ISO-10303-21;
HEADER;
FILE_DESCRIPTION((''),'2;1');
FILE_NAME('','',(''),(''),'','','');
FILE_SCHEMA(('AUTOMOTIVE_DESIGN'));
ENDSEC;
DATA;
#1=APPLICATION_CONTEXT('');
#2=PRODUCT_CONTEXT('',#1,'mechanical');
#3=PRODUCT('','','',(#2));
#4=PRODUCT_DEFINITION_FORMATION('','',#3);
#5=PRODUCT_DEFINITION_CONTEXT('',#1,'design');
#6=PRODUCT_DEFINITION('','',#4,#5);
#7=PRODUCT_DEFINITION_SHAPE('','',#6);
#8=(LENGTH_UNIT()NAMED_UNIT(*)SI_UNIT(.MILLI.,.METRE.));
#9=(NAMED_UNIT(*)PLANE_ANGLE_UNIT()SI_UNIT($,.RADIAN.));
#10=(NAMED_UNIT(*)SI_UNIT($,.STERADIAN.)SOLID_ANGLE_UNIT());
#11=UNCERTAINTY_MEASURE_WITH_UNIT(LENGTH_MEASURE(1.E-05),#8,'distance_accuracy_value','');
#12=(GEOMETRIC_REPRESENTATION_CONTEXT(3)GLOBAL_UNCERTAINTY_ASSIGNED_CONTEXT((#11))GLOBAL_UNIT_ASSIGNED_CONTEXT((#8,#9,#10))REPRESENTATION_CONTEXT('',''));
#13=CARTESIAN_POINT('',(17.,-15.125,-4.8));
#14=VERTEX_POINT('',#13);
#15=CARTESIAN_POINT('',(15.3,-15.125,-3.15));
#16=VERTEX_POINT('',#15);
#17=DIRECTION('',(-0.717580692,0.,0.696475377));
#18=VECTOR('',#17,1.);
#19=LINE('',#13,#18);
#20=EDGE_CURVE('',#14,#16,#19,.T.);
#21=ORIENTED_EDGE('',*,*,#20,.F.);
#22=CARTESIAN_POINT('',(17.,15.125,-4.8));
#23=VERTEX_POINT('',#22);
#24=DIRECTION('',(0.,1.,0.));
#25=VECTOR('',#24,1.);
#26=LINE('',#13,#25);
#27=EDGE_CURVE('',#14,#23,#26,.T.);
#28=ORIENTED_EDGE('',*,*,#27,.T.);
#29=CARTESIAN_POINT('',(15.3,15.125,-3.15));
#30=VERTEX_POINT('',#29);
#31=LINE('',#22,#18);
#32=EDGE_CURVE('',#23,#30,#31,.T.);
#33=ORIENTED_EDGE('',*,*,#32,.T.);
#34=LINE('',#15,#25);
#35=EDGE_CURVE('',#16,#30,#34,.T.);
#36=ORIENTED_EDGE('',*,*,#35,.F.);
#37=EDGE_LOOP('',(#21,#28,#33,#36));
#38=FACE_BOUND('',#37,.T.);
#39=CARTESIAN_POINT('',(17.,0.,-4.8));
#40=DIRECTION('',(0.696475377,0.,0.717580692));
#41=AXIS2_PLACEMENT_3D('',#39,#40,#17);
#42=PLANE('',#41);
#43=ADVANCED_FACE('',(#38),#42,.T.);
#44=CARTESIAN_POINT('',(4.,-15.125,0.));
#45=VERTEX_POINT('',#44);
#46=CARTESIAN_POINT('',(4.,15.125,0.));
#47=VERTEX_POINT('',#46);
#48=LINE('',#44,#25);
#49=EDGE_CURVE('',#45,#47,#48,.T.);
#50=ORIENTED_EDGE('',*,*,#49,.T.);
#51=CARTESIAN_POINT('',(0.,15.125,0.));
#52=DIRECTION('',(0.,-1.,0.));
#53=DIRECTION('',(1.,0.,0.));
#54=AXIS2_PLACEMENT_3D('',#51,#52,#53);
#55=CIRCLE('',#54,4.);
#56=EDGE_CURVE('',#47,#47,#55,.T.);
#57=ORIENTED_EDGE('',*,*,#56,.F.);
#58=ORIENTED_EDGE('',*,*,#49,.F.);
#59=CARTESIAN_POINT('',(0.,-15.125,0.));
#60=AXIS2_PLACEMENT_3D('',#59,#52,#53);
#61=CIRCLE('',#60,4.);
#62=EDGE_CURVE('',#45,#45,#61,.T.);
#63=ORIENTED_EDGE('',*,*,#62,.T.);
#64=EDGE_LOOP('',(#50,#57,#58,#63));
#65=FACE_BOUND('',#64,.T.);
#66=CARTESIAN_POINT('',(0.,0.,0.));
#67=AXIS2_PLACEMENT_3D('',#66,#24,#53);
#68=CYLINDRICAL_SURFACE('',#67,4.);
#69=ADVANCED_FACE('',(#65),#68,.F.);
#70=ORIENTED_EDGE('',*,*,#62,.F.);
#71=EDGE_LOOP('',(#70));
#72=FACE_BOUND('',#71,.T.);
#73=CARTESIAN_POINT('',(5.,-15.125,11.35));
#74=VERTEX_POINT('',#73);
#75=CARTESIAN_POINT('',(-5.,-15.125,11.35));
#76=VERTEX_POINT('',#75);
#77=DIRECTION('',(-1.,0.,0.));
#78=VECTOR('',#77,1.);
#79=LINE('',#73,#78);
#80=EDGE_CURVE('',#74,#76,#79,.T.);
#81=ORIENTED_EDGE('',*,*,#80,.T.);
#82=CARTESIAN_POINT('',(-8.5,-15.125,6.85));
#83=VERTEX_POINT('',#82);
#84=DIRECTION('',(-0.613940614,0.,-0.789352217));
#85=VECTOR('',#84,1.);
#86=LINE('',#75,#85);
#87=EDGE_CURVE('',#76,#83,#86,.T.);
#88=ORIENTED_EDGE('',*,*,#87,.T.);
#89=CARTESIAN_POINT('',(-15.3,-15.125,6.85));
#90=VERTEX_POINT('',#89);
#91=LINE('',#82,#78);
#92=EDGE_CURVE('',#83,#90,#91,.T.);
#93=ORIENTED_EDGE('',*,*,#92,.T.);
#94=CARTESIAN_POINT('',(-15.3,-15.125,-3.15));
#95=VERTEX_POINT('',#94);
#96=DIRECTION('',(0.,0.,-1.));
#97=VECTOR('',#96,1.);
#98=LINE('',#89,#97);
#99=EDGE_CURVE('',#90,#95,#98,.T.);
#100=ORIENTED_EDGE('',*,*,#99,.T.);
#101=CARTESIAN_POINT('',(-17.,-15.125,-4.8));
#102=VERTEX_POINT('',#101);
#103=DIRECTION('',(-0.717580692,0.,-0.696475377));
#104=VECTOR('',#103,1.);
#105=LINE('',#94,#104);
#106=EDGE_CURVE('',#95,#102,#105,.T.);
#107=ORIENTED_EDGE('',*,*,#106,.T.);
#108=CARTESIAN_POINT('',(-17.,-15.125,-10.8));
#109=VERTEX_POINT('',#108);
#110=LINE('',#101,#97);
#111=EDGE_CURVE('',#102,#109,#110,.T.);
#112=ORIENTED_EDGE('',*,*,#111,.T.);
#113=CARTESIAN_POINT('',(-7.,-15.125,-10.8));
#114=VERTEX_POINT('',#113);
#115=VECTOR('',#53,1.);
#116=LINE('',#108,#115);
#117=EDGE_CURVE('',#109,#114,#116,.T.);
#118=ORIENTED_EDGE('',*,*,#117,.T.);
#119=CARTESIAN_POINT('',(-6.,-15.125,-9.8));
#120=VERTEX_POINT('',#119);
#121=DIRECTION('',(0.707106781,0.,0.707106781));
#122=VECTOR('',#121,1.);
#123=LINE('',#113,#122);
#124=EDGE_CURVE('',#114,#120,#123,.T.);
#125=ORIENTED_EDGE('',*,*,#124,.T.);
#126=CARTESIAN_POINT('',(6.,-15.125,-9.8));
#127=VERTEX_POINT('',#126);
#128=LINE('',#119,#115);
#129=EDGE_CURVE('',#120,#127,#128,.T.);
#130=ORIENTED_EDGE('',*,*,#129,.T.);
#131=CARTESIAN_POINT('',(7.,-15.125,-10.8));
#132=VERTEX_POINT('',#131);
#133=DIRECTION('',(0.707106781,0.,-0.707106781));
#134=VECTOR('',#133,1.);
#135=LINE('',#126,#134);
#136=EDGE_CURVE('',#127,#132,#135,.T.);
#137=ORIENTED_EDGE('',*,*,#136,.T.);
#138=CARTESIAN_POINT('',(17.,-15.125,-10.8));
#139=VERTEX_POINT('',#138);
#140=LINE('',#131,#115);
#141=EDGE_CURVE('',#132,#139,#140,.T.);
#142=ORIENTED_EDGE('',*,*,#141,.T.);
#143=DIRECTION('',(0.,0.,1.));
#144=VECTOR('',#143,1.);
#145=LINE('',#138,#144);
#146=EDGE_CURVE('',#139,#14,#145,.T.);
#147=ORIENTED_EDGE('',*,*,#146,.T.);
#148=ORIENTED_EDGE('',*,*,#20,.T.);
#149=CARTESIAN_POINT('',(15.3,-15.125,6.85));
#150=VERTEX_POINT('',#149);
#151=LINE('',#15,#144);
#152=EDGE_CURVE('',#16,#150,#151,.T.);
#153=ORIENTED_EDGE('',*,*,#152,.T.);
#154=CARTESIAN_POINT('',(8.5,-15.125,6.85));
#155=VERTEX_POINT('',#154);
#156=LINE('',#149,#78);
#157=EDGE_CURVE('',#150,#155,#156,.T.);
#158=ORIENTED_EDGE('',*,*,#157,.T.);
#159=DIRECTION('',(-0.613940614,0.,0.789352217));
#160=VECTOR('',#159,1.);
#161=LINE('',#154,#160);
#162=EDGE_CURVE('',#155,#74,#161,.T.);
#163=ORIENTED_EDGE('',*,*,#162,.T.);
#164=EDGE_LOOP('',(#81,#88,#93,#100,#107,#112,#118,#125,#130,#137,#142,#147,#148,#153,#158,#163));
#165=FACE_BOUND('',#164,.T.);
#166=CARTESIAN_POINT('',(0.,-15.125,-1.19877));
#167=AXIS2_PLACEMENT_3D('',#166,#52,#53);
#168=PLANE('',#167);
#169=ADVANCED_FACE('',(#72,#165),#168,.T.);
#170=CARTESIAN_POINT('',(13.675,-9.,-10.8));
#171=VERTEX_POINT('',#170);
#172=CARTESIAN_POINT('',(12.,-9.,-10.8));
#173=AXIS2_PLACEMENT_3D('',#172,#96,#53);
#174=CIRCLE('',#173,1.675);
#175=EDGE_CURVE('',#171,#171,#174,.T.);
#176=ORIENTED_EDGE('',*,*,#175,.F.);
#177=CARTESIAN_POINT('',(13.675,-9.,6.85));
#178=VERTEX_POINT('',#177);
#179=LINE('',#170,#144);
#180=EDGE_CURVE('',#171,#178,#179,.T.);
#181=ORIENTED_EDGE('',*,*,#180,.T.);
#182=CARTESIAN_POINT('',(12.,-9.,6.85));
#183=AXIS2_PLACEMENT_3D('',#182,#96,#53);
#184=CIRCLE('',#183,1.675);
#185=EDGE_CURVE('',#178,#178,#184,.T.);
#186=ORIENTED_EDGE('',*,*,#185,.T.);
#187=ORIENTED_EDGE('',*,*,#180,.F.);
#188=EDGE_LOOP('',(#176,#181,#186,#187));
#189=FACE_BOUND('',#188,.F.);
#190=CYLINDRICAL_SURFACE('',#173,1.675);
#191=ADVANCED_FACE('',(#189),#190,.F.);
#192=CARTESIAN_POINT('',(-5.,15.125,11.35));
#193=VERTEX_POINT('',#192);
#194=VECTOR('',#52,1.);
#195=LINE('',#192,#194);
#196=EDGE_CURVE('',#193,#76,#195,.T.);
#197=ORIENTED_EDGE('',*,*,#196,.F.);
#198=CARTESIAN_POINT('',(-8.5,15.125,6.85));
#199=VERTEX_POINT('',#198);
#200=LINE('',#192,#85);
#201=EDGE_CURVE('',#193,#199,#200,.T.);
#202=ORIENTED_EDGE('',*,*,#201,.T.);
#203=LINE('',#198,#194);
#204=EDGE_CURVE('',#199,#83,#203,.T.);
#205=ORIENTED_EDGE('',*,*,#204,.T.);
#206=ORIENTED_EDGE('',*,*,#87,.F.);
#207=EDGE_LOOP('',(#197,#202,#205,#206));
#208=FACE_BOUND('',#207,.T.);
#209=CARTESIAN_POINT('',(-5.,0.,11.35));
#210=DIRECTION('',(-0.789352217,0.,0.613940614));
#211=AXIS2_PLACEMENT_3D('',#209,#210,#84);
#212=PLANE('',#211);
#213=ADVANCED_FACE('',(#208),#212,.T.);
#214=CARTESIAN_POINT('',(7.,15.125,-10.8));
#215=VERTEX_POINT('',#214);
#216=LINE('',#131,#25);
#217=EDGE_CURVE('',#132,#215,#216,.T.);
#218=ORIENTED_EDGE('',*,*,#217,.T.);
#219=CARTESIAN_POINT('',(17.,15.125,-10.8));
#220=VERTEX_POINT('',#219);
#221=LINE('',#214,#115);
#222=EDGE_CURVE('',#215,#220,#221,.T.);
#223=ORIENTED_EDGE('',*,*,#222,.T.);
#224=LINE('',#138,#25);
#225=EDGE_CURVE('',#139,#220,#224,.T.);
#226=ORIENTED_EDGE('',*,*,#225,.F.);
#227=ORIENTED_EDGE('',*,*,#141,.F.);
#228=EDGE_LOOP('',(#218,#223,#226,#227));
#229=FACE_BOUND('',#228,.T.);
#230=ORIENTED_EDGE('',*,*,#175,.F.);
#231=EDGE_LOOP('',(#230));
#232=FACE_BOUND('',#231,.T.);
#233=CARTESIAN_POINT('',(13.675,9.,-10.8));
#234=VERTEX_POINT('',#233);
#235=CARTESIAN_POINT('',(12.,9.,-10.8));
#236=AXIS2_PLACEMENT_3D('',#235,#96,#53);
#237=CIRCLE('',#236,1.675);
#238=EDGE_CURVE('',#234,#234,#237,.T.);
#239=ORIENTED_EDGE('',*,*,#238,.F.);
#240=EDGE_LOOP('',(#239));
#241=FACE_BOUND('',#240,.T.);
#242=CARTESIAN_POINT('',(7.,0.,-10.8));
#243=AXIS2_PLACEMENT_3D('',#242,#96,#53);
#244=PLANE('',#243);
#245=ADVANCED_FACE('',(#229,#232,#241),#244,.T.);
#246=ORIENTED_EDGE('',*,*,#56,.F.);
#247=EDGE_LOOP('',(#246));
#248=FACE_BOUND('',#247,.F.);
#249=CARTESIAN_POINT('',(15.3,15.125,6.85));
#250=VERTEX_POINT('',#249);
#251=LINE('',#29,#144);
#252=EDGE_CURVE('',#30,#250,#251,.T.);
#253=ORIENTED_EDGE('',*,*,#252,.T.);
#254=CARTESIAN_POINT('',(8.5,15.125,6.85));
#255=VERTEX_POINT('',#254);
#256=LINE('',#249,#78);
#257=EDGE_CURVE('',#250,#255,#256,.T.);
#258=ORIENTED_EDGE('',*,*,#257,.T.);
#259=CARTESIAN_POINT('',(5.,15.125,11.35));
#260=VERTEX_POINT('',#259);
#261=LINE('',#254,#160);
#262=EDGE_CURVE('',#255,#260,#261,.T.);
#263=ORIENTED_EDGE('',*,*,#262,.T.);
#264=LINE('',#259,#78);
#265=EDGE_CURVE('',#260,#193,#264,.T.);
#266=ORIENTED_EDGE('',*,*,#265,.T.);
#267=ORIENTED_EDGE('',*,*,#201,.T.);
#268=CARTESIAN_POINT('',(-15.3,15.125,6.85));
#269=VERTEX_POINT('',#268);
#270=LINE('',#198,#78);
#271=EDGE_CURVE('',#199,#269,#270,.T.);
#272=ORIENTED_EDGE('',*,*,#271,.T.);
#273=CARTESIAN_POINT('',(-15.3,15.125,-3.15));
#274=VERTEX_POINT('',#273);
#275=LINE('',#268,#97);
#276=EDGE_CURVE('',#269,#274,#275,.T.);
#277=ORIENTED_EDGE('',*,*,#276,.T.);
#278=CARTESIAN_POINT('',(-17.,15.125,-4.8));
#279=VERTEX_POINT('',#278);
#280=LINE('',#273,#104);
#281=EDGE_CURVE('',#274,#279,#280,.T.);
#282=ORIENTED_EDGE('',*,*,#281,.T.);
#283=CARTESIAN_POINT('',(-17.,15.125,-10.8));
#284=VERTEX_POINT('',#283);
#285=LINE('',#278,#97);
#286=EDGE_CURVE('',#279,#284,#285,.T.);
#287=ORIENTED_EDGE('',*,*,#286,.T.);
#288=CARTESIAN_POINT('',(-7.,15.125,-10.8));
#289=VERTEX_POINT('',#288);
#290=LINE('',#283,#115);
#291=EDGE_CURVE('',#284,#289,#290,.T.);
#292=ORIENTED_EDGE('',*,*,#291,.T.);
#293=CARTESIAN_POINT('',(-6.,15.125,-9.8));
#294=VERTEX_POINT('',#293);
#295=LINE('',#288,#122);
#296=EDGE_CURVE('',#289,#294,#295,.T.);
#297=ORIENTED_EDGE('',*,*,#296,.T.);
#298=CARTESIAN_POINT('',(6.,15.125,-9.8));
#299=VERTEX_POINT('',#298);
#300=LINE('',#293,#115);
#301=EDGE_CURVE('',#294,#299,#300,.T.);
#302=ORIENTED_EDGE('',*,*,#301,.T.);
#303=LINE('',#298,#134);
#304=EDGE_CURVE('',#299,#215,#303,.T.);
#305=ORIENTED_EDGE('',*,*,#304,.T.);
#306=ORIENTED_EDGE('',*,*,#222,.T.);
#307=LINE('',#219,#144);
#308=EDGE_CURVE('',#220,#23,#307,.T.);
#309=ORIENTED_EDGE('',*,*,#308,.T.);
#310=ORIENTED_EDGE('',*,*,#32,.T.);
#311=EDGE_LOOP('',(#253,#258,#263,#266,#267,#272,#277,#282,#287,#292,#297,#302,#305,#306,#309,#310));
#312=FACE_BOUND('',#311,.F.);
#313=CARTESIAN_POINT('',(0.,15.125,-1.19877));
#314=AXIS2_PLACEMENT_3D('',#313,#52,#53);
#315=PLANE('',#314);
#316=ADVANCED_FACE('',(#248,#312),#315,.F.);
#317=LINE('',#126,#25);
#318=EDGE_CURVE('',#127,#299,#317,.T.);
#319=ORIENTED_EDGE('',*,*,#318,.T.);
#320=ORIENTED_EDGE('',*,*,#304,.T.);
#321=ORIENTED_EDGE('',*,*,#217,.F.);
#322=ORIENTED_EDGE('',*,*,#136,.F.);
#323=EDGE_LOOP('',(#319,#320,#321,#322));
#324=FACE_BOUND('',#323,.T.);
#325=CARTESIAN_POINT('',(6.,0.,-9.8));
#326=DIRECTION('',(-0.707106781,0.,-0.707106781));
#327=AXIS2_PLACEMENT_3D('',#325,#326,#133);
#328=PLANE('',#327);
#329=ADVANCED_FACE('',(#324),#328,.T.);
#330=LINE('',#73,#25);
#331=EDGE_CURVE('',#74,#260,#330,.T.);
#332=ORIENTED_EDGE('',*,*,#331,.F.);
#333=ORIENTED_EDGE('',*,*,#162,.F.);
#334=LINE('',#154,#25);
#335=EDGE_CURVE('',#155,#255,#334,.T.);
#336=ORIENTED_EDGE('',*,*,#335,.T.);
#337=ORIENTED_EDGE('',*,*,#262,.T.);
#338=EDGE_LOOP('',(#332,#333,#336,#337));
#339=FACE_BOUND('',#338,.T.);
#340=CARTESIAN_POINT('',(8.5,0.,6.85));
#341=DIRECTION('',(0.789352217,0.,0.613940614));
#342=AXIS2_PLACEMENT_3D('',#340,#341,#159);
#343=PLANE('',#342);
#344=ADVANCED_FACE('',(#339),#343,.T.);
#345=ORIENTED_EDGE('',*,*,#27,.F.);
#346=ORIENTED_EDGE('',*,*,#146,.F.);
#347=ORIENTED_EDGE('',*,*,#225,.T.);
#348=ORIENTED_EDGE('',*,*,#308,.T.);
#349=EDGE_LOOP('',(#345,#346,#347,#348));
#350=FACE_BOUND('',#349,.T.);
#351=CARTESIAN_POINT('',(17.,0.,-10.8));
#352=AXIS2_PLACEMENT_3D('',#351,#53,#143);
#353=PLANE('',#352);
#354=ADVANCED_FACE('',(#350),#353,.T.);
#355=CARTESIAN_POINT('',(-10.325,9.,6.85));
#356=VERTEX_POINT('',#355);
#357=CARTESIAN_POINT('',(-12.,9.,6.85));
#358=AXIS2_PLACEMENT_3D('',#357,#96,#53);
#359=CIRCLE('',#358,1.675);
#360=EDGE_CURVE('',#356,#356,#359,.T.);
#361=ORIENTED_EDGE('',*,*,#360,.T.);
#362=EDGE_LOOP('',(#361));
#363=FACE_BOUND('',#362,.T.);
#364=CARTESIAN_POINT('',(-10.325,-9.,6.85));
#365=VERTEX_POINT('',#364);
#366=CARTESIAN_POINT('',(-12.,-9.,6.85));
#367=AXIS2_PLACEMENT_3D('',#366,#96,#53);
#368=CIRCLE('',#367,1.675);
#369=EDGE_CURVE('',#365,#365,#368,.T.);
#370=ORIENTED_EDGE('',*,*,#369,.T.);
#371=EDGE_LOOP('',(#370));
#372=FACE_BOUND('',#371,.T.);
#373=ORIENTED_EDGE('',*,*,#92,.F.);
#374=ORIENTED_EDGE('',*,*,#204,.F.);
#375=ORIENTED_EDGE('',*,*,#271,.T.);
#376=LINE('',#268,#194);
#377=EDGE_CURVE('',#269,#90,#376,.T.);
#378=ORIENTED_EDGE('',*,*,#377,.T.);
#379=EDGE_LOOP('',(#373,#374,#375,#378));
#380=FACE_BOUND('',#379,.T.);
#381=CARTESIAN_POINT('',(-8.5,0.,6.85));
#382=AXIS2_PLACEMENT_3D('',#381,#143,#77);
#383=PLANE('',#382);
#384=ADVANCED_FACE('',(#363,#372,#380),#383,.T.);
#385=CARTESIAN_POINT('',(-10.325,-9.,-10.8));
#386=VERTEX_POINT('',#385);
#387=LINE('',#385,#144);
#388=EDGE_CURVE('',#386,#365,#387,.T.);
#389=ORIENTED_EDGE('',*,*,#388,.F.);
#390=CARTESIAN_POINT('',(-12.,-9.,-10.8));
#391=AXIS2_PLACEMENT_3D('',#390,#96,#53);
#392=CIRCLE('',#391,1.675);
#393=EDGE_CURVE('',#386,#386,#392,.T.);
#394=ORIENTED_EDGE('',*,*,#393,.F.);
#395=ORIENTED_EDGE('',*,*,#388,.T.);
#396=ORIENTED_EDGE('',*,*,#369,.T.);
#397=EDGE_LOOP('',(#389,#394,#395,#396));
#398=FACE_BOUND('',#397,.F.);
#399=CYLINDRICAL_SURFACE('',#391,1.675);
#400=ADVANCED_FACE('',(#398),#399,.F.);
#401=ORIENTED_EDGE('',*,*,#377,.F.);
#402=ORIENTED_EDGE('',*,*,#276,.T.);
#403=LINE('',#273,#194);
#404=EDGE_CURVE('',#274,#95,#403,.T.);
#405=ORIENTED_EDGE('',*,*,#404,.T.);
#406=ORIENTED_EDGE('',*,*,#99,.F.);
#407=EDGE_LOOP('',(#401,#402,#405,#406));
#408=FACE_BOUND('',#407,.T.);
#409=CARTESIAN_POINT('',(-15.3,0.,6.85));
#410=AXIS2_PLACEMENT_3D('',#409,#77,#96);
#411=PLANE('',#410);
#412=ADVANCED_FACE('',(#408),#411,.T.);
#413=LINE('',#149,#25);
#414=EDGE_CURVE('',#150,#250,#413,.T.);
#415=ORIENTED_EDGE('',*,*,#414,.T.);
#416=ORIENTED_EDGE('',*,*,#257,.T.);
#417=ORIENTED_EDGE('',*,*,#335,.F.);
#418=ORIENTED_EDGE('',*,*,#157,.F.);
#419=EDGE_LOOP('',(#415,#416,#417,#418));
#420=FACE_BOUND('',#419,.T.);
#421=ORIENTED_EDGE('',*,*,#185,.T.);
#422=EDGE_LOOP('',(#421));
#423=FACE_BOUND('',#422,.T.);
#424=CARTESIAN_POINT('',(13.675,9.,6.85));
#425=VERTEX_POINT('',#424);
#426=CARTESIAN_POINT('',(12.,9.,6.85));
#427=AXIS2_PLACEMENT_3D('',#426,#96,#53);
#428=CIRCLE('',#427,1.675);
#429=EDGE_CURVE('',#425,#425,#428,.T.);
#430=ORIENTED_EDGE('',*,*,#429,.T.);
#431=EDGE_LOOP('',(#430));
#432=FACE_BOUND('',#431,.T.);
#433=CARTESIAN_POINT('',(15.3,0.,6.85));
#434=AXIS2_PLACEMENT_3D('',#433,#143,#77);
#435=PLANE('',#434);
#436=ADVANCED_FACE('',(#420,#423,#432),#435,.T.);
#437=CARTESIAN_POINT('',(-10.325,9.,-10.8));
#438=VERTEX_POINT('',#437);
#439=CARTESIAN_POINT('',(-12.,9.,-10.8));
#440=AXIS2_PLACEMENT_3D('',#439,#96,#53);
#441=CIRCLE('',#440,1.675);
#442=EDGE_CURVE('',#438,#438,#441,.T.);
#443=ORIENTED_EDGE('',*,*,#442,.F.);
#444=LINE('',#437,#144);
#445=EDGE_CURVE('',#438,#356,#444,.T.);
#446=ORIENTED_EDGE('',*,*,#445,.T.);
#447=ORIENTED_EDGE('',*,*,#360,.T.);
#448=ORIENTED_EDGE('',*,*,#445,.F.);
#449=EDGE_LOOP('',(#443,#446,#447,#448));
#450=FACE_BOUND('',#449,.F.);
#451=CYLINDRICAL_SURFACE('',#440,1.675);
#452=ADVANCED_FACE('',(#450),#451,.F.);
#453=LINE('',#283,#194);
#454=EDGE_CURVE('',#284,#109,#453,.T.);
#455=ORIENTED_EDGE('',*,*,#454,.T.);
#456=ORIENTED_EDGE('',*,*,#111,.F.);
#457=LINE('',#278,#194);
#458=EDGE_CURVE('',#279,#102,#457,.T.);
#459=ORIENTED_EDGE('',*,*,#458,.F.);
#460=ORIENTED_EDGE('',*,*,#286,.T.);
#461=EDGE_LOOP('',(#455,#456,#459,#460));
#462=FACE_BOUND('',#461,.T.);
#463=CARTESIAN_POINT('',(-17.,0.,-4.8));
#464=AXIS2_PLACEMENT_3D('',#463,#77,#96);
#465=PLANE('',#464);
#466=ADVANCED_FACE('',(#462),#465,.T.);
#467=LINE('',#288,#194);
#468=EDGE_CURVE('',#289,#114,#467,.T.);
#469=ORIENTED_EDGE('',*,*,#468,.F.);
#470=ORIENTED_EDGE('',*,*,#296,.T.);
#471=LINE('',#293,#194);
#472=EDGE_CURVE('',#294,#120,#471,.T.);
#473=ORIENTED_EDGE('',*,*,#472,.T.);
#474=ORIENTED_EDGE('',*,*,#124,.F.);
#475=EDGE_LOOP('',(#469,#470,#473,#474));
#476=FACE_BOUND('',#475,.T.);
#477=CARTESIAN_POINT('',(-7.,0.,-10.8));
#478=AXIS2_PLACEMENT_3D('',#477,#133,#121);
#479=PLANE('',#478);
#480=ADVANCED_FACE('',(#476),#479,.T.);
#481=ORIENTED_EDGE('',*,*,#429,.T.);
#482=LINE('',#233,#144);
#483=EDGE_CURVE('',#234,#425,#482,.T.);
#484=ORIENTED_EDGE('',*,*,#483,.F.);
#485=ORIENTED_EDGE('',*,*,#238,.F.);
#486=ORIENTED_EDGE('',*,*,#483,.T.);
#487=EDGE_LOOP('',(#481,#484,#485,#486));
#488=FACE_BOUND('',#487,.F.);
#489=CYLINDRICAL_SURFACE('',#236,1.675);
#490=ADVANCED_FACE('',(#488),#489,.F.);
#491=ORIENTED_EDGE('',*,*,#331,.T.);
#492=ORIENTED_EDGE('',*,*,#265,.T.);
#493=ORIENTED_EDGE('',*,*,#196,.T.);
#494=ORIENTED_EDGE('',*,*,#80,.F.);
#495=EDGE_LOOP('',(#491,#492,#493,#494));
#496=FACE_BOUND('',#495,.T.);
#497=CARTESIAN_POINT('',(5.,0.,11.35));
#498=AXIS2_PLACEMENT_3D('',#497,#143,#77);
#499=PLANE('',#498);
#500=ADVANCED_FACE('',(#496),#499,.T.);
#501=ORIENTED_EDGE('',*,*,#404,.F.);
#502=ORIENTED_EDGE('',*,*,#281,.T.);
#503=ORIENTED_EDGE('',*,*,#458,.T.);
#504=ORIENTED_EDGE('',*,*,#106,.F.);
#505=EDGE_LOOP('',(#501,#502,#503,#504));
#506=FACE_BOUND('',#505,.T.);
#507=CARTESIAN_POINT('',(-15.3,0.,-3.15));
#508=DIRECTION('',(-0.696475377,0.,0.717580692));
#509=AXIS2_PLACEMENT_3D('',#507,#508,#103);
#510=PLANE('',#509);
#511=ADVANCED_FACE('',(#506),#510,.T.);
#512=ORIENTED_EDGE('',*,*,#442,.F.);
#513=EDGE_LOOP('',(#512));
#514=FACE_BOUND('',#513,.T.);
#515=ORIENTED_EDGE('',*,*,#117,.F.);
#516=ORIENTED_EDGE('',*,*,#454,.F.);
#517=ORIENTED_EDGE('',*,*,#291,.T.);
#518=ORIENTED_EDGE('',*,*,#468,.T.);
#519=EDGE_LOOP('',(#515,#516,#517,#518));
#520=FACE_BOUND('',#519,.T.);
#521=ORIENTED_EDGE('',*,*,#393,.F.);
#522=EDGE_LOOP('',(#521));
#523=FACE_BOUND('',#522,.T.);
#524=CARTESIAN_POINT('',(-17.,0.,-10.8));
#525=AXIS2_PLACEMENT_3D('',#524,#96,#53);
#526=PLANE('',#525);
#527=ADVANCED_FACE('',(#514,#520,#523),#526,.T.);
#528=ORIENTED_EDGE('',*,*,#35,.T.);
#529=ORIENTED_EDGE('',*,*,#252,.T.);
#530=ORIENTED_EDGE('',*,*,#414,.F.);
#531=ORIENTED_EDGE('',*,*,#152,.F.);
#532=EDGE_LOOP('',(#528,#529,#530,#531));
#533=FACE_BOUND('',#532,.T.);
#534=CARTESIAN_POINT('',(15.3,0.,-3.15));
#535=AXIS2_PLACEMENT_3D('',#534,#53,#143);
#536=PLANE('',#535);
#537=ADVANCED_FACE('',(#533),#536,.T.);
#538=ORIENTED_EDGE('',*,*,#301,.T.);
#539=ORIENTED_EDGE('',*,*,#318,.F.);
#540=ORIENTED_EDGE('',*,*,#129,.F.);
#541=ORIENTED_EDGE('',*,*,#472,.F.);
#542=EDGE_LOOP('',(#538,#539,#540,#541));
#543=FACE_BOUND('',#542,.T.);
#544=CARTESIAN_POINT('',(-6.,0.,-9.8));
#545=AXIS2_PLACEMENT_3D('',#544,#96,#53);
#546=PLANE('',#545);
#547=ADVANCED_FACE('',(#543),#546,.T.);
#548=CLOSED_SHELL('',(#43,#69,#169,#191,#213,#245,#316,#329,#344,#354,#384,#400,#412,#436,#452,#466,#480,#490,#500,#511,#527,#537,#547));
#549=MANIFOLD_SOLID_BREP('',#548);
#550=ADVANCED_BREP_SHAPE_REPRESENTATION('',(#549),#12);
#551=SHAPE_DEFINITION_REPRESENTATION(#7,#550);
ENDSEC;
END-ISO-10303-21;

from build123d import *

# Parameters (mm, degrees)
F0_R     = 4
F1_DEPTH = 15.125
F2_R     = 1.675
F3_DEPTH = 22.151


with BuildPart() as f1:
    # F0 (on Front) → F1 (new body, symmetric)
    with BuildSketch(Plane.XZ):
        Polygon((5, 11.35), (-5, 11.35), (-8.5, 6.85), (-15.3, 6.85), (-15.3, -3.15), (-17, -4.8), (-17, -10.8), (-7, -10.8), (-6, -9.8), (6, -9.8), (7, -10.8), (17, -10.8), (17, -4.8), (15.3, -3.15), (15.3, 6.85), (8.5, 6.85), align=None)
        Circle(F0_R, mode=Mode.SUBTRACT)
    extrude(amount=F1_DEPTH, both=True)

    # F2 (on face) → F3 (cut, through all)
    with BuildSketch(Plane(origin=(0, 0, -10.8), x_dir=(1, 0, 0), z_dir=(0, 0, -1))):
        with Locations((-12, 9)):
            Circle(F2_R)
        with Locations((12, 9)):
            Circle(F2_R)
        with Locations((-12, -9)):
            Circle(F2_R)
        with Locations((12, -9)):
            Circle(F2_R)
    extrude(amount=-F3_DEPTH, mode=Mode.SUBTRACT)


solid = f1.part
